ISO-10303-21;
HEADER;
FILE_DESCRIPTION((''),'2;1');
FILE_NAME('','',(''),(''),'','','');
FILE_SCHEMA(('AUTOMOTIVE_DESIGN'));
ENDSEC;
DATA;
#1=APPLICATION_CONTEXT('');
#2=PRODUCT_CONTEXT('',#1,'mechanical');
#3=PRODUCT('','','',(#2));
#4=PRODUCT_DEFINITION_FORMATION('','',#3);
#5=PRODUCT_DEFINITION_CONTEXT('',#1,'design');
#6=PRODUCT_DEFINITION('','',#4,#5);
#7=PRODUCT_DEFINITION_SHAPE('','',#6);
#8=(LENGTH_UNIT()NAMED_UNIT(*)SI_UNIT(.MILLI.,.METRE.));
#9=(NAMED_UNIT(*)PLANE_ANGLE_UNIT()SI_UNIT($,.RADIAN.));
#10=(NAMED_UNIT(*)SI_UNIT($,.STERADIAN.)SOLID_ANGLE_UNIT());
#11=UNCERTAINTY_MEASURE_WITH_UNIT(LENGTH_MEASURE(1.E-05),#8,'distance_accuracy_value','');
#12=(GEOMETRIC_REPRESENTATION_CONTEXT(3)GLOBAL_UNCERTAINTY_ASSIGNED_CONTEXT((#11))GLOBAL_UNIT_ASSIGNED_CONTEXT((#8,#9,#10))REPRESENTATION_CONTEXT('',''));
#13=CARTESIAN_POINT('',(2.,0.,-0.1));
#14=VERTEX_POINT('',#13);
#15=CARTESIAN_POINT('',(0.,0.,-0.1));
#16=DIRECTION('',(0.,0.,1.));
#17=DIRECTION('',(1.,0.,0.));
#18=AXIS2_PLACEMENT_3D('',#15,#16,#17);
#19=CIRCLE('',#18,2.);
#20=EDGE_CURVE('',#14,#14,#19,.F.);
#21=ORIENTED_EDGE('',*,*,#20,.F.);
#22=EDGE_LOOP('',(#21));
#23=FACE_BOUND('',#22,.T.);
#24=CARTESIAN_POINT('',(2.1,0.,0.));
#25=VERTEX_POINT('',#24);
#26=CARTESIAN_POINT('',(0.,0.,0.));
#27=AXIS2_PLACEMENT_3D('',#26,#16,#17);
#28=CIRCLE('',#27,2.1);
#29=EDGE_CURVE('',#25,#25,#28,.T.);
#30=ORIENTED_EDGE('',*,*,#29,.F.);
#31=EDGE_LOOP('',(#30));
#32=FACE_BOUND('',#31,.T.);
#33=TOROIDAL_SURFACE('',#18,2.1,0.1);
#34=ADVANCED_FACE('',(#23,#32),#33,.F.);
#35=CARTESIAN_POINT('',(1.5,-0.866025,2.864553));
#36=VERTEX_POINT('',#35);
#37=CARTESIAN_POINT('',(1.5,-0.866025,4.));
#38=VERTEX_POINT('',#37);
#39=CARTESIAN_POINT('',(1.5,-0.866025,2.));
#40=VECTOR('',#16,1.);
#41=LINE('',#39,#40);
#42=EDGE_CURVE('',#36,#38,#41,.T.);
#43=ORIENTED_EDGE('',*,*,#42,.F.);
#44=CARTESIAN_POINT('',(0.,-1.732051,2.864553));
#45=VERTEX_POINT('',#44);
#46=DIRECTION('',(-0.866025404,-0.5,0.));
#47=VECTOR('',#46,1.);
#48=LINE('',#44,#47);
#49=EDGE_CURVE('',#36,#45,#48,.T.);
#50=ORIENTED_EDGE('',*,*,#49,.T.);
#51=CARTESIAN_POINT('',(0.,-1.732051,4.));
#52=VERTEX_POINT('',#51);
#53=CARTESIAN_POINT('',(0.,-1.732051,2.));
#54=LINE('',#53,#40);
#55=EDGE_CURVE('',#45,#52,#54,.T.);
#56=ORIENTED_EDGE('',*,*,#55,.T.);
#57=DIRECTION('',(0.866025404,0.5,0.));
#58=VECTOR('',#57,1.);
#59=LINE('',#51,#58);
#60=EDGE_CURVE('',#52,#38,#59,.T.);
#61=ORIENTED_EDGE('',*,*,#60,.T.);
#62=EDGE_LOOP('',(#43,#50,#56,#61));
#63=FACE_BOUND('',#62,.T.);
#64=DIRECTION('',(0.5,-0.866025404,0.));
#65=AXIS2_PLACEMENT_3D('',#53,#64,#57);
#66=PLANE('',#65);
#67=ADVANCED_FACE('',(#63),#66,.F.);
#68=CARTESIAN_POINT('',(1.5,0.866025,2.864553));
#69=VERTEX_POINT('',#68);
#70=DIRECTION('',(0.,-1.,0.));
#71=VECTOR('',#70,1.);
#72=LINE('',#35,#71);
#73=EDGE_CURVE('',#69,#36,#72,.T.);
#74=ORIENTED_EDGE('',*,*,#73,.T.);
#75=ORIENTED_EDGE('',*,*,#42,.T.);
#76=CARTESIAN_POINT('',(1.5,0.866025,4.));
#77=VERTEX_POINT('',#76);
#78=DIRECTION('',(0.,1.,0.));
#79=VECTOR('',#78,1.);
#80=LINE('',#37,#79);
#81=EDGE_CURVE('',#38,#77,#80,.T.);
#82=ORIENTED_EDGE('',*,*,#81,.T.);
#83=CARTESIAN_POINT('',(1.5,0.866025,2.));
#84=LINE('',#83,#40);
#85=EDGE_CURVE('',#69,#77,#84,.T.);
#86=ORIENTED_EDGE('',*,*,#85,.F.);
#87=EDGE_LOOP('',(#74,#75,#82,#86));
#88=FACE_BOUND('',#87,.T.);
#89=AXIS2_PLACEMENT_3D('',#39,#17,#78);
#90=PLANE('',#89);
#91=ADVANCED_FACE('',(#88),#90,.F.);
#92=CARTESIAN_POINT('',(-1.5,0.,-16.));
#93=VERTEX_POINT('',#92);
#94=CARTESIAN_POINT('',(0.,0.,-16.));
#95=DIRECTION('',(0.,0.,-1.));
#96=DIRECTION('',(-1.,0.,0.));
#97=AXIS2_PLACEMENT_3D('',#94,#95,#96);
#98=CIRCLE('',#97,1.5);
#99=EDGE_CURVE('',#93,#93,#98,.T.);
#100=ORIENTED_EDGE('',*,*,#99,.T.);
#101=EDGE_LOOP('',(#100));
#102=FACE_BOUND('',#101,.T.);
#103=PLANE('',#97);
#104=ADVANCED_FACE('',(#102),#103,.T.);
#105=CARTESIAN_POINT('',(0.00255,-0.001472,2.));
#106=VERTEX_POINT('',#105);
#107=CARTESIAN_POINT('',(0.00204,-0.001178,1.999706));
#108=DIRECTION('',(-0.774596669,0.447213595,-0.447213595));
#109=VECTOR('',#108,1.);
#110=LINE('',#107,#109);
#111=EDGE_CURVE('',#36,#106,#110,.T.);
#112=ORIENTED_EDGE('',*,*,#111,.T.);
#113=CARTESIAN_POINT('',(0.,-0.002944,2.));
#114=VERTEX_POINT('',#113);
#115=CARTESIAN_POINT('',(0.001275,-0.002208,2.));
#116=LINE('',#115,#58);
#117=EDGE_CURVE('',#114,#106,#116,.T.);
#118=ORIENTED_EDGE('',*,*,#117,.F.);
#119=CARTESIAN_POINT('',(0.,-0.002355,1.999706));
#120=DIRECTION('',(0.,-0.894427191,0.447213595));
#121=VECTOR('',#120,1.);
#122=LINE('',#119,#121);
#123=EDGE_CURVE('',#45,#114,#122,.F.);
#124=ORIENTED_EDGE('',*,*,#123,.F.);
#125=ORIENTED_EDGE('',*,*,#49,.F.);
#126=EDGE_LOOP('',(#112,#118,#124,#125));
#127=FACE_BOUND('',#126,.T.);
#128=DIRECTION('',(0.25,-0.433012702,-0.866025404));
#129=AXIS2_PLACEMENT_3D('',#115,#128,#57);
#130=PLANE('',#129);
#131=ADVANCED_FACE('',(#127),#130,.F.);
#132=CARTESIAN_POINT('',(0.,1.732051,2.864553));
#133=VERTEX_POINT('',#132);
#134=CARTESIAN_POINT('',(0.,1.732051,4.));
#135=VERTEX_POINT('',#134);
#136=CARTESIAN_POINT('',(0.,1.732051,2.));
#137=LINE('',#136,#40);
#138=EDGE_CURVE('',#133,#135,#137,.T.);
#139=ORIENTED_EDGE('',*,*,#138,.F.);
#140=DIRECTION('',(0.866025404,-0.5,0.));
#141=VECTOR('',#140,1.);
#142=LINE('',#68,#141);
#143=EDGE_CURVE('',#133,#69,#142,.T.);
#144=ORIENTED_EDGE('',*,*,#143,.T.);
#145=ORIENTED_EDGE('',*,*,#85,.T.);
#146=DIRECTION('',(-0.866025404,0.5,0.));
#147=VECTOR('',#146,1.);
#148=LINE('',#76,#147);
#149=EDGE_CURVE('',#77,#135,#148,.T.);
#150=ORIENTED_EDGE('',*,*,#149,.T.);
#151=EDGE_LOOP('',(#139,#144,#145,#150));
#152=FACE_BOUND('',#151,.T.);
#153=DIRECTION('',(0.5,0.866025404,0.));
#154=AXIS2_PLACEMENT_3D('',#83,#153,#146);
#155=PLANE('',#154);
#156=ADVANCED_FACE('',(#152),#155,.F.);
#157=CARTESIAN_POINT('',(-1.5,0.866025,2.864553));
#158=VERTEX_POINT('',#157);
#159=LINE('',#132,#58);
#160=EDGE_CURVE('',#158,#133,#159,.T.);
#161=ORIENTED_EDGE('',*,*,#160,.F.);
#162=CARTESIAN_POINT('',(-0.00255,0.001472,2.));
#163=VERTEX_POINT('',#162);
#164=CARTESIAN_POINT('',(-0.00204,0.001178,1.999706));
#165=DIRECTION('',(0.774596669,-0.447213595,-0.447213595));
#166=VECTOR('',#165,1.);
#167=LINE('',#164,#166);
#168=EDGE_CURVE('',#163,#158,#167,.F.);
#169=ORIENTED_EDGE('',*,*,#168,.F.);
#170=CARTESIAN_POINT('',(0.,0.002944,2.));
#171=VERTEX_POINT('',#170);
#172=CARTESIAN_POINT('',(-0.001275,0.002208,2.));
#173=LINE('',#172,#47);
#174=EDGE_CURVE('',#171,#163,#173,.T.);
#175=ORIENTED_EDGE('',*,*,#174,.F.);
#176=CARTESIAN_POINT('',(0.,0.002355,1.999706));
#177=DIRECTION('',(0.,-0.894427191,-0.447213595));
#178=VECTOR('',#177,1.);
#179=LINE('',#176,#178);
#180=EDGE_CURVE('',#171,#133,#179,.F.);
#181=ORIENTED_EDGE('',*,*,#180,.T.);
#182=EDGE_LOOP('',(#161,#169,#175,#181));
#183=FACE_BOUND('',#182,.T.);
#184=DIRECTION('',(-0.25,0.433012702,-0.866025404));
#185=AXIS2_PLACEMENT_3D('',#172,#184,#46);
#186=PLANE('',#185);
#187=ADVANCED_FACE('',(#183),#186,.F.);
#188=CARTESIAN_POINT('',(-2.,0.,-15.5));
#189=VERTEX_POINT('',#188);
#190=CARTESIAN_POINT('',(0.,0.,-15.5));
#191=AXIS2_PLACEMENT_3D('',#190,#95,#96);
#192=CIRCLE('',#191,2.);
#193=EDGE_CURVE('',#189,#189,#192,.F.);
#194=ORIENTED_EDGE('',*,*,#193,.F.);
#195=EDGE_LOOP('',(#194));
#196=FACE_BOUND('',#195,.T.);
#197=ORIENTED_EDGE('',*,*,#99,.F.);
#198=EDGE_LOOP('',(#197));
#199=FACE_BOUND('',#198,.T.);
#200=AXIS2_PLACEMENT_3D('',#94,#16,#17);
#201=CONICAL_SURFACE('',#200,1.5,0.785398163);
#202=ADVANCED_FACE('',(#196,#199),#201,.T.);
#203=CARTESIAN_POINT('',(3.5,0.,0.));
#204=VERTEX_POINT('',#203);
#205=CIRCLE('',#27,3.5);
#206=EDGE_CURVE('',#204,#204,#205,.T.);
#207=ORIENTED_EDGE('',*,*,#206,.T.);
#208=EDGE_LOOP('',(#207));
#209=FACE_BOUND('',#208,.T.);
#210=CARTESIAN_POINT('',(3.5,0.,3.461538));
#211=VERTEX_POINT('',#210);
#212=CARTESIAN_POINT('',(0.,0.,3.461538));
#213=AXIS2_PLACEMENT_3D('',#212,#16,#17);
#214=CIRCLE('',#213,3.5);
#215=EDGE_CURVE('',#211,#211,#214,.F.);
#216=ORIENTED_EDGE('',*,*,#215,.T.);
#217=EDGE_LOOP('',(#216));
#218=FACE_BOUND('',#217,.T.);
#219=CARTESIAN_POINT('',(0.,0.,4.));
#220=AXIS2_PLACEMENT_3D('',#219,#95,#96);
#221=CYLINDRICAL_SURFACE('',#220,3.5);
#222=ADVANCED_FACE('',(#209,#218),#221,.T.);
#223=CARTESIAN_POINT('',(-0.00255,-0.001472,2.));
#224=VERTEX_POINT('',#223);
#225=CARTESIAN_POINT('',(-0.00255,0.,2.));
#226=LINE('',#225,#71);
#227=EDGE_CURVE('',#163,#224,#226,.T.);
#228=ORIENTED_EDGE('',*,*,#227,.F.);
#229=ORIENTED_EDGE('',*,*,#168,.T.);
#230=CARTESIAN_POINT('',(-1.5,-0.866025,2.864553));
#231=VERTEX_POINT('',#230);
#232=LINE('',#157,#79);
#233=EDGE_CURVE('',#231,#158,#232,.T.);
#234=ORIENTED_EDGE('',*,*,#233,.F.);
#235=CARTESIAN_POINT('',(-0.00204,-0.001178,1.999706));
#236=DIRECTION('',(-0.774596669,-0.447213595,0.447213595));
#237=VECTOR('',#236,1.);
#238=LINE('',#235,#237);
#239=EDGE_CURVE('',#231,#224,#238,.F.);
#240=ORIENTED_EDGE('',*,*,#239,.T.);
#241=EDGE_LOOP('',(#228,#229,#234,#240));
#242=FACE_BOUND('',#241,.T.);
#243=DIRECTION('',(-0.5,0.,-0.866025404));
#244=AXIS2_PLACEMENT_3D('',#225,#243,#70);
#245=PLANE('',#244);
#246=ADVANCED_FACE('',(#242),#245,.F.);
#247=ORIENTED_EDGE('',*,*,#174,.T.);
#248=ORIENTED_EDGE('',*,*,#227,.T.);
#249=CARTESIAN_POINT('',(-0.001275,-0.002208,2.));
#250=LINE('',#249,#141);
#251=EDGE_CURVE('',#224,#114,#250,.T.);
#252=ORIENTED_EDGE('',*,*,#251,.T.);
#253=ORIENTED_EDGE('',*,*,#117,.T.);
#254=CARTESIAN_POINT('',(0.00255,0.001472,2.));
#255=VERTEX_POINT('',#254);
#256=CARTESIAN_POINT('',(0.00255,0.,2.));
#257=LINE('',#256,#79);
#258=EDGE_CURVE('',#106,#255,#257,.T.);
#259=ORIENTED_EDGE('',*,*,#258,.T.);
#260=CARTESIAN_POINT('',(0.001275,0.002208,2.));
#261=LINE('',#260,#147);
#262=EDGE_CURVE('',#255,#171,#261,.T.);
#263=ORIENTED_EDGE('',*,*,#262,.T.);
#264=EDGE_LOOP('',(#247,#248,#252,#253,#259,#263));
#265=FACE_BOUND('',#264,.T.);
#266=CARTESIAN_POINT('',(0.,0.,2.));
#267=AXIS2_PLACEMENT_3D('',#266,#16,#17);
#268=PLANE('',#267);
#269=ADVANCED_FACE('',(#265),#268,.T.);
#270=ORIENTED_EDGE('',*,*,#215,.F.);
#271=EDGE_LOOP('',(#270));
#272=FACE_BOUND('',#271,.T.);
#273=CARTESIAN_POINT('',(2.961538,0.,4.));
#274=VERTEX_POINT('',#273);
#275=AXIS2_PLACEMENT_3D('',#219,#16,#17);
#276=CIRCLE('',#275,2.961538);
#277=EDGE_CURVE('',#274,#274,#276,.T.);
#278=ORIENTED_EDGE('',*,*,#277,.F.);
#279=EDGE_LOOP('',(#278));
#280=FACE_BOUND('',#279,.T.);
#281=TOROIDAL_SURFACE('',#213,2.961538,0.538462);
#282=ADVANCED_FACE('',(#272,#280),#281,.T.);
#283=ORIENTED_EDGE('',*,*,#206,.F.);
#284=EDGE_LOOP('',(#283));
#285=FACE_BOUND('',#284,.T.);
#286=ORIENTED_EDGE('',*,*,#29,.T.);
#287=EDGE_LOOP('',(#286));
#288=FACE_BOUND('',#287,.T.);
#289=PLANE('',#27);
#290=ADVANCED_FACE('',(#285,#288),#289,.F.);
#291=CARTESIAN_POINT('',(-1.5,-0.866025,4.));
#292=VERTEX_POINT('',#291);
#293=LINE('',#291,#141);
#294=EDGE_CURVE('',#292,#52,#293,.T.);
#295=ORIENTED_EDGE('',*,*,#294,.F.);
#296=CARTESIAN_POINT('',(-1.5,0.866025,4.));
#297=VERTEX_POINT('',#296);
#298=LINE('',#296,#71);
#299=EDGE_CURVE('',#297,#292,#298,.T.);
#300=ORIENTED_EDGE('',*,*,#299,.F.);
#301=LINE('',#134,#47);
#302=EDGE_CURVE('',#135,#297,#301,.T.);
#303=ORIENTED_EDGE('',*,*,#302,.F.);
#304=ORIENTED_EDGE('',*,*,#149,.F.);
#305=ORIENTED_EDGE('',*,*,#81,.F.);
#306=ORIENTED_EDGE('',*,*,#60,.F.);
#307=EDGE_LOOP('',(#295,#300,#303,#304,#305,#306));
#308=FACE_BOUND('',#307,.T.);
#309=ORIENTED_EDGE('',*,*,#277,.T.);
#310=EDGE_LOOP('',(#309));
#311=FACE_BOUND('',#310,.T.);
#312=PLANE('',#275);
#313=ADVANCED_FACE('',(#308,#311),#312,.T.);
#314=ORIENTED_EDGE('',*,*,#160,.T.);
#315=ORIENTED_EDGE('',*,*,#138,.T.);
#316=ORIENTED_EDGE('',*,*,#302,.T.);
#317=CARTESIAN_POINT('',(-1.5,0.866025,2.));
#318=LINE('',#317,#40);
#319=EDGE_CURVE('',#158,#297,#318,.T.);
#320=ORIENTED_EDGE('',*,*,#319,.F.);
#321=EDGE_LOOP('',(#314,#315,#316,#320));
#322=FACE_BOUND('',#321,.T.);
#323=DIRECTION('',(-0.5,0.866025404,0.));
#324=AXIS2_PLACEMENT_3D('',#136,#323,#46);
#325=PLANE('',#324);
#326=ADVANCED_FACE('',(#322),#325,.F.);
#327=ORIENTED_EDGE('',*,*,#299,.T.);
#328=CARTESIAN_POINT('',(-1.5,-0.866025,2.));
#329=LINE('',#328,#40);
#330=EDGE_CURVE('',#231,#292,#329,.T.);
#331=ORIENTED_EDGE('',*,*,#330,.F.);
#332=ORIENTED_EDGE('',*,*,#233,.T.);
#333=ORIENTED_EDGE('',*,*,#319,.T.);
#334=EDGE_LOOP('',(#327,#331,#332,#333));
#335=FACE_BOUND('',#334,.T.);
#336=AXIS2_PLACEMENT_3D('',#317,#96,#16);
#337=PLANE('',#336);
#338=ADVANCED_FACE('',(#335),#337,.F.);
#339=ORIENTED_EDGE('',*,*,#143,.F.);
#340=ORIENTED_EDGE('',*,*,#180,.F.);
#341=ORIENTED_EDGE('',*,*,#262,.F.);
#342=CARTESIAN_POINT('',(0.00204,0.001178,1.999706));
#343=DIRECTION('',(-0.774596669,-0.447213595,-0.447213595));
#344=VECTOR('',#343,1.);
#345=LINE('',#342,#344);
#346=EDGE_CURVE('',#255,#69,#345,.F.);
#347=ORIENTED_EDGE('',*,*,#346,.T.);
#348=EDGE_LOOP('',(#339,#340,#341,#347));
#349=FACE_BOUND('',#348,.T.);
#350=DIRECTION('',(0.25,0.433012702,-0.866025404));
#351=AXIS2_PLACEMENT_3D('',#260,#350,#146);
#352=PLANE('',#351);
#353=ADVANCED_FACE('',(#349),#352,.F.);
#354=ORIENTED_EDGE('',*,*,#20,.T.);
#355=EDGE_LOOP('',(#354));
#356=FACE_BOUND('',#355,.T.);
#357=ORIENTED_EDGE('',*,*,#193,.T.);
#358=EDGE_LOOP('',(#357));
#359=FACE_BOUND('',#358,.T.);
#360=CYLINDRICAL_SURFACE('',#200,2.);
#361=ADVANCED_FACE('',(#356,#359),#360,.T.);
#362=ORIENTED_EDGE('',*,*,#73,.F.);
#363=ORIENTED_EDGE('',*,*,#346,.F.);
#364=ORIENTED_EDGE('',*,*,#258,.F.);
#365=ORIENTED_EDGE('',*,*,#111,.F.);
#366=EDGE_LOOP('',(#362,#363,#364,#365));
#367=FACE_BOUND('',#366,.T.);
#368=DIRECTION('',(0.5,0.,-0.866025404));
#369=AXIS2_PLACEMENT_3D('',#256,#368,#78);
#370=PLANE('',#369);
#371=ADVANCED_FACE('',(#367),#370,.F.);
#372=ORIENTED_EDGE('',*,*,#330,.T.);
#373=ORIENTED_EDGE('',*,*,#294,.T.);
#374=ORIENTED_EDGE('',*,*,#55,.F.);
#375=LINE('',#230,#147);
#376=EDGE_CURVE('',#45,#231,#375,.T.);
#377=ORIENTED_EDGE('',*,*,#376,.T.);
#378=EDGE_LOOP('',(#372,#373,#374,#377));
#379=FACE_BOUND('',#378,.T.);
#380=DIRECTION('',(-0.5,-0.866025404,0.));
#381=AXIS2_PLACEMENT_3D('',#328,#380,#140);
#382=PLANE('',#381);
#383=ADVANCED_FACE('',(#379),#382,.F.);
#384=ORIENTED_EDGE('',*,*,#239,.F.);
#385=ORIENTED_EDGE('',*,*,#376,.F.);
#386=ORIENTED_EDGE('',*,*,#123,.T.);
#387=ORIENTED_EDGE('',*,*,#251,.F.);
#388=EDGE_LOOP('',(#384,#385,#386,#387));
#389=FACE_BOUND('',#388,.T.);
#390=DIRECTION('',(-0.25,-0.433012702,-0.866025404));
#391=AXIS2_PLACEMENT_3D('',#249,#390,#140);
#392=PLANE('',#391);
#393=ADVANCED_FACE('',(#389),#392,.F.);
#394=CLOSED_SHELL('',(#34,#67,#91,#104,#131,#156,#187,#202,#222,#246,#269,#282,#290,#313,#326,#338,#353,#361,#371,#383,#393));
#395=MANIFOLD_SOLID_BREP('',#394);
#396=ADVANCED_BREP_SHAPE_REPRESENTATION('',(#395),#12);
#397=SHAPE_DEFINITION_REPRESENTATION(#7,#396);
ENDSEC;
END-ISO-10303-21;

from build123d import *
from OCP.BRepFilletAPI import BRepFilletAPI_MakeChamfer

# Parameters (mm, degrees)
SKETCH_1_R          = 3.5
EXTRUDE_1_DEPTH     = 4
CUT_EXTRUDE_1_DEPTH = 2
SKETCH_3_R          = 2
EXTRUDE_2_DEPTH     = 16
CHAMFER_1_SIZE      = 0.5
FILLET_1_R          = 0.538461538
CHAMFER_2_SIZE      = 0.864553314
CHAMFER_2_SIZE2     = 1.497450266
FILLET_2_R          = 0.1


with BuildPart() as part:
    # 草图1 → 凸台-拉伸1 (new body)
    with BuildSketch(Plane.XY):
        Circle(SKETCH_1_R)
    extrude(amount=EXTRUDE_1_DEPTH)

    # 草图2 → 切除-拉伸1 (cut)
    with BuildSketch(Plane.XY.offset(4)):
        Polygon((1.5, 0.866025404), (0, 1.732050808), (-1.5, 0.866025404), (-1.5, -0.866025404), (0, -1.732050808), (1.5, -0.866025404), align=None)
    extrude(amount=-CUT_EXTRUDE_1_DEPTH, mode=Mode.SUBTRACT)

    # 草图3 → 凸台-拉伸2 (add)
    with BuildSketch(Plane(origin=(0, 0, 0), x_dir=(-1, 0, 0), z_dir=(0, 0, -1))):
        Circle(SKETCH_3_R)
    extrude(amount=EXTRUDE_2_DEPTH)

    # 倒角1
    chamfer_1_edges = [part.edges().sort_by_distance(p)[0] for p in [
        (2, 0, -16),
    ]]
    chamfer(chamfer_1_edges, length=CHAMFER_1_SIZE)

    # 圆角1
    fillet_1_edges = [part.edges().sort_by_distance(p)[0] for p in [
        (-3.5, 0, 4),
    ]]
    fillet(fillet_1_edges, radius=FILLET_1_R)

    # 倒角2: one chamfer whose edges measure the first distance from different faces: ONE call of the kernel's chamfer builder (chamfer() names one face for all edges)
    chamfer_2_edges_1 = [part.edges().sort_by_distance(p)[0] for p in [
        (-1.5, 0, 2),
    ]]
    chamfer_2_side_1 = [part.faces().sort_by_distance(p)[0] for p in [
        (-1.5, 0, 3),
    ]]
    chamfer_2_edges_2 = [part.edges().sort_by_distance(p)[0] for p in [
        (-0.75, 1.299038106, 2),
    ]]
    chamfer_2_side_2 = [part.faces().sort_by_distance(p)[0] for p in [
        (-0.75, 1.299038106, 3),
    ]]
    chamfer_2_edges_3 = [part.edges().sort_by_distance(p)[0] for p in [
        (0.75, 1.299038106, 2),
    ]]
    chamfer_2_side_3 = [part.faces().sort_by_distance(p)[0] for p in [
        (0.75, 1.299038106, 3),
    ]]
    chamfer_2_edges_4 = [part.edges().sort_by_distance(p)[0] for p in [
        (1.5, 0, 2),
    ]]
    chamfer_2_side_4 = [part.faces().sort_by_distance(p)[0] for p in [
        (1.5, 0, 3),
    ]]
    chamfer_2_edges_5 = [part.edges().sort_by_distance(p)[0] for p in [
        (-0.75, -1.299038106, 2),
    ]]
    chamfer_2_side_5 = [part.faces().sort_by_distance(p)[0] for p in [
        (-0.75, -1.299038106, 3),
    ]]
    chamfer_2_edges_6 = [part.edges().sort_by_distance(p)[0] for p in [
        (0.75, -1.299038106, 2),
    ]]
    chamfer_2_side_6 = [part.faces().sort_by_distance(p)[0] for p in [
        (0.75, -1.299038106, 3),
    ]]
    chamfer_2 = BRepFilletAPI_MakeChamfer(part.part.solid().wrapped)
    for e in chamfer_2_edges_1:
        chamfer_2.Add(CHAMFER_2_SIZE, CHAMFER_2_SIZE2, e.wrapped, chamfer_2_side_1[0].wrapped)  # the first distance lies on this face
    for e in chamfer_2_edges_2:
        chamfer_2.Add(CHAMFER_2_SIZE, CHAMFER_2_SIZE2, e.wrapped, chamfer_2_side_2[0].wrapped)  # the first distance lies on this face
    for e in chamfer_2_edges_3:
        chamfer_2.Add(CHAMFER_2_SIZE, CHAMFER_2_SIZE2, e.wrapped, chamfer_2_side_3[0].wrapped)  # the first distance lies on this face
    for e in chamfer_2_edges_4:
        chamfer_2.Add(CHAMFER_2_SIZE, CHAMFER_2_SIZE2, e.wrapped, chamfer_2_side_4[0].wrapped)  # the first distance lies on this face
    for e in chamfer_2_edges_5:
        chamfer_2.Add(CHAMFER_2_SIZE, CHAMFER_2_SIZE2, e.wrapped, chamfer_2_side_5[0].wrapped)  # the first distance lies on this face
    for e in chamfer_2_edges_6:
        chamfer_2.Add(CHAMFER_2_SIZE, CHAMFER_2_SIZE2, e.wrapped, chamfer_2_side_6[0].wrapped)  # the first distance lies on this face
    add(Compound.cast(chamfer_2.Shape()), mode=Mode.REPLACE)

    # 圆角2
    fillet_2_edges = [part.edges().sort_by_distance(p)[0] for p in [
        (2, 0, 0),
    ]]
    fillet(fillet_2_edges, radius=FILLET_2_R)


solid = part.part
